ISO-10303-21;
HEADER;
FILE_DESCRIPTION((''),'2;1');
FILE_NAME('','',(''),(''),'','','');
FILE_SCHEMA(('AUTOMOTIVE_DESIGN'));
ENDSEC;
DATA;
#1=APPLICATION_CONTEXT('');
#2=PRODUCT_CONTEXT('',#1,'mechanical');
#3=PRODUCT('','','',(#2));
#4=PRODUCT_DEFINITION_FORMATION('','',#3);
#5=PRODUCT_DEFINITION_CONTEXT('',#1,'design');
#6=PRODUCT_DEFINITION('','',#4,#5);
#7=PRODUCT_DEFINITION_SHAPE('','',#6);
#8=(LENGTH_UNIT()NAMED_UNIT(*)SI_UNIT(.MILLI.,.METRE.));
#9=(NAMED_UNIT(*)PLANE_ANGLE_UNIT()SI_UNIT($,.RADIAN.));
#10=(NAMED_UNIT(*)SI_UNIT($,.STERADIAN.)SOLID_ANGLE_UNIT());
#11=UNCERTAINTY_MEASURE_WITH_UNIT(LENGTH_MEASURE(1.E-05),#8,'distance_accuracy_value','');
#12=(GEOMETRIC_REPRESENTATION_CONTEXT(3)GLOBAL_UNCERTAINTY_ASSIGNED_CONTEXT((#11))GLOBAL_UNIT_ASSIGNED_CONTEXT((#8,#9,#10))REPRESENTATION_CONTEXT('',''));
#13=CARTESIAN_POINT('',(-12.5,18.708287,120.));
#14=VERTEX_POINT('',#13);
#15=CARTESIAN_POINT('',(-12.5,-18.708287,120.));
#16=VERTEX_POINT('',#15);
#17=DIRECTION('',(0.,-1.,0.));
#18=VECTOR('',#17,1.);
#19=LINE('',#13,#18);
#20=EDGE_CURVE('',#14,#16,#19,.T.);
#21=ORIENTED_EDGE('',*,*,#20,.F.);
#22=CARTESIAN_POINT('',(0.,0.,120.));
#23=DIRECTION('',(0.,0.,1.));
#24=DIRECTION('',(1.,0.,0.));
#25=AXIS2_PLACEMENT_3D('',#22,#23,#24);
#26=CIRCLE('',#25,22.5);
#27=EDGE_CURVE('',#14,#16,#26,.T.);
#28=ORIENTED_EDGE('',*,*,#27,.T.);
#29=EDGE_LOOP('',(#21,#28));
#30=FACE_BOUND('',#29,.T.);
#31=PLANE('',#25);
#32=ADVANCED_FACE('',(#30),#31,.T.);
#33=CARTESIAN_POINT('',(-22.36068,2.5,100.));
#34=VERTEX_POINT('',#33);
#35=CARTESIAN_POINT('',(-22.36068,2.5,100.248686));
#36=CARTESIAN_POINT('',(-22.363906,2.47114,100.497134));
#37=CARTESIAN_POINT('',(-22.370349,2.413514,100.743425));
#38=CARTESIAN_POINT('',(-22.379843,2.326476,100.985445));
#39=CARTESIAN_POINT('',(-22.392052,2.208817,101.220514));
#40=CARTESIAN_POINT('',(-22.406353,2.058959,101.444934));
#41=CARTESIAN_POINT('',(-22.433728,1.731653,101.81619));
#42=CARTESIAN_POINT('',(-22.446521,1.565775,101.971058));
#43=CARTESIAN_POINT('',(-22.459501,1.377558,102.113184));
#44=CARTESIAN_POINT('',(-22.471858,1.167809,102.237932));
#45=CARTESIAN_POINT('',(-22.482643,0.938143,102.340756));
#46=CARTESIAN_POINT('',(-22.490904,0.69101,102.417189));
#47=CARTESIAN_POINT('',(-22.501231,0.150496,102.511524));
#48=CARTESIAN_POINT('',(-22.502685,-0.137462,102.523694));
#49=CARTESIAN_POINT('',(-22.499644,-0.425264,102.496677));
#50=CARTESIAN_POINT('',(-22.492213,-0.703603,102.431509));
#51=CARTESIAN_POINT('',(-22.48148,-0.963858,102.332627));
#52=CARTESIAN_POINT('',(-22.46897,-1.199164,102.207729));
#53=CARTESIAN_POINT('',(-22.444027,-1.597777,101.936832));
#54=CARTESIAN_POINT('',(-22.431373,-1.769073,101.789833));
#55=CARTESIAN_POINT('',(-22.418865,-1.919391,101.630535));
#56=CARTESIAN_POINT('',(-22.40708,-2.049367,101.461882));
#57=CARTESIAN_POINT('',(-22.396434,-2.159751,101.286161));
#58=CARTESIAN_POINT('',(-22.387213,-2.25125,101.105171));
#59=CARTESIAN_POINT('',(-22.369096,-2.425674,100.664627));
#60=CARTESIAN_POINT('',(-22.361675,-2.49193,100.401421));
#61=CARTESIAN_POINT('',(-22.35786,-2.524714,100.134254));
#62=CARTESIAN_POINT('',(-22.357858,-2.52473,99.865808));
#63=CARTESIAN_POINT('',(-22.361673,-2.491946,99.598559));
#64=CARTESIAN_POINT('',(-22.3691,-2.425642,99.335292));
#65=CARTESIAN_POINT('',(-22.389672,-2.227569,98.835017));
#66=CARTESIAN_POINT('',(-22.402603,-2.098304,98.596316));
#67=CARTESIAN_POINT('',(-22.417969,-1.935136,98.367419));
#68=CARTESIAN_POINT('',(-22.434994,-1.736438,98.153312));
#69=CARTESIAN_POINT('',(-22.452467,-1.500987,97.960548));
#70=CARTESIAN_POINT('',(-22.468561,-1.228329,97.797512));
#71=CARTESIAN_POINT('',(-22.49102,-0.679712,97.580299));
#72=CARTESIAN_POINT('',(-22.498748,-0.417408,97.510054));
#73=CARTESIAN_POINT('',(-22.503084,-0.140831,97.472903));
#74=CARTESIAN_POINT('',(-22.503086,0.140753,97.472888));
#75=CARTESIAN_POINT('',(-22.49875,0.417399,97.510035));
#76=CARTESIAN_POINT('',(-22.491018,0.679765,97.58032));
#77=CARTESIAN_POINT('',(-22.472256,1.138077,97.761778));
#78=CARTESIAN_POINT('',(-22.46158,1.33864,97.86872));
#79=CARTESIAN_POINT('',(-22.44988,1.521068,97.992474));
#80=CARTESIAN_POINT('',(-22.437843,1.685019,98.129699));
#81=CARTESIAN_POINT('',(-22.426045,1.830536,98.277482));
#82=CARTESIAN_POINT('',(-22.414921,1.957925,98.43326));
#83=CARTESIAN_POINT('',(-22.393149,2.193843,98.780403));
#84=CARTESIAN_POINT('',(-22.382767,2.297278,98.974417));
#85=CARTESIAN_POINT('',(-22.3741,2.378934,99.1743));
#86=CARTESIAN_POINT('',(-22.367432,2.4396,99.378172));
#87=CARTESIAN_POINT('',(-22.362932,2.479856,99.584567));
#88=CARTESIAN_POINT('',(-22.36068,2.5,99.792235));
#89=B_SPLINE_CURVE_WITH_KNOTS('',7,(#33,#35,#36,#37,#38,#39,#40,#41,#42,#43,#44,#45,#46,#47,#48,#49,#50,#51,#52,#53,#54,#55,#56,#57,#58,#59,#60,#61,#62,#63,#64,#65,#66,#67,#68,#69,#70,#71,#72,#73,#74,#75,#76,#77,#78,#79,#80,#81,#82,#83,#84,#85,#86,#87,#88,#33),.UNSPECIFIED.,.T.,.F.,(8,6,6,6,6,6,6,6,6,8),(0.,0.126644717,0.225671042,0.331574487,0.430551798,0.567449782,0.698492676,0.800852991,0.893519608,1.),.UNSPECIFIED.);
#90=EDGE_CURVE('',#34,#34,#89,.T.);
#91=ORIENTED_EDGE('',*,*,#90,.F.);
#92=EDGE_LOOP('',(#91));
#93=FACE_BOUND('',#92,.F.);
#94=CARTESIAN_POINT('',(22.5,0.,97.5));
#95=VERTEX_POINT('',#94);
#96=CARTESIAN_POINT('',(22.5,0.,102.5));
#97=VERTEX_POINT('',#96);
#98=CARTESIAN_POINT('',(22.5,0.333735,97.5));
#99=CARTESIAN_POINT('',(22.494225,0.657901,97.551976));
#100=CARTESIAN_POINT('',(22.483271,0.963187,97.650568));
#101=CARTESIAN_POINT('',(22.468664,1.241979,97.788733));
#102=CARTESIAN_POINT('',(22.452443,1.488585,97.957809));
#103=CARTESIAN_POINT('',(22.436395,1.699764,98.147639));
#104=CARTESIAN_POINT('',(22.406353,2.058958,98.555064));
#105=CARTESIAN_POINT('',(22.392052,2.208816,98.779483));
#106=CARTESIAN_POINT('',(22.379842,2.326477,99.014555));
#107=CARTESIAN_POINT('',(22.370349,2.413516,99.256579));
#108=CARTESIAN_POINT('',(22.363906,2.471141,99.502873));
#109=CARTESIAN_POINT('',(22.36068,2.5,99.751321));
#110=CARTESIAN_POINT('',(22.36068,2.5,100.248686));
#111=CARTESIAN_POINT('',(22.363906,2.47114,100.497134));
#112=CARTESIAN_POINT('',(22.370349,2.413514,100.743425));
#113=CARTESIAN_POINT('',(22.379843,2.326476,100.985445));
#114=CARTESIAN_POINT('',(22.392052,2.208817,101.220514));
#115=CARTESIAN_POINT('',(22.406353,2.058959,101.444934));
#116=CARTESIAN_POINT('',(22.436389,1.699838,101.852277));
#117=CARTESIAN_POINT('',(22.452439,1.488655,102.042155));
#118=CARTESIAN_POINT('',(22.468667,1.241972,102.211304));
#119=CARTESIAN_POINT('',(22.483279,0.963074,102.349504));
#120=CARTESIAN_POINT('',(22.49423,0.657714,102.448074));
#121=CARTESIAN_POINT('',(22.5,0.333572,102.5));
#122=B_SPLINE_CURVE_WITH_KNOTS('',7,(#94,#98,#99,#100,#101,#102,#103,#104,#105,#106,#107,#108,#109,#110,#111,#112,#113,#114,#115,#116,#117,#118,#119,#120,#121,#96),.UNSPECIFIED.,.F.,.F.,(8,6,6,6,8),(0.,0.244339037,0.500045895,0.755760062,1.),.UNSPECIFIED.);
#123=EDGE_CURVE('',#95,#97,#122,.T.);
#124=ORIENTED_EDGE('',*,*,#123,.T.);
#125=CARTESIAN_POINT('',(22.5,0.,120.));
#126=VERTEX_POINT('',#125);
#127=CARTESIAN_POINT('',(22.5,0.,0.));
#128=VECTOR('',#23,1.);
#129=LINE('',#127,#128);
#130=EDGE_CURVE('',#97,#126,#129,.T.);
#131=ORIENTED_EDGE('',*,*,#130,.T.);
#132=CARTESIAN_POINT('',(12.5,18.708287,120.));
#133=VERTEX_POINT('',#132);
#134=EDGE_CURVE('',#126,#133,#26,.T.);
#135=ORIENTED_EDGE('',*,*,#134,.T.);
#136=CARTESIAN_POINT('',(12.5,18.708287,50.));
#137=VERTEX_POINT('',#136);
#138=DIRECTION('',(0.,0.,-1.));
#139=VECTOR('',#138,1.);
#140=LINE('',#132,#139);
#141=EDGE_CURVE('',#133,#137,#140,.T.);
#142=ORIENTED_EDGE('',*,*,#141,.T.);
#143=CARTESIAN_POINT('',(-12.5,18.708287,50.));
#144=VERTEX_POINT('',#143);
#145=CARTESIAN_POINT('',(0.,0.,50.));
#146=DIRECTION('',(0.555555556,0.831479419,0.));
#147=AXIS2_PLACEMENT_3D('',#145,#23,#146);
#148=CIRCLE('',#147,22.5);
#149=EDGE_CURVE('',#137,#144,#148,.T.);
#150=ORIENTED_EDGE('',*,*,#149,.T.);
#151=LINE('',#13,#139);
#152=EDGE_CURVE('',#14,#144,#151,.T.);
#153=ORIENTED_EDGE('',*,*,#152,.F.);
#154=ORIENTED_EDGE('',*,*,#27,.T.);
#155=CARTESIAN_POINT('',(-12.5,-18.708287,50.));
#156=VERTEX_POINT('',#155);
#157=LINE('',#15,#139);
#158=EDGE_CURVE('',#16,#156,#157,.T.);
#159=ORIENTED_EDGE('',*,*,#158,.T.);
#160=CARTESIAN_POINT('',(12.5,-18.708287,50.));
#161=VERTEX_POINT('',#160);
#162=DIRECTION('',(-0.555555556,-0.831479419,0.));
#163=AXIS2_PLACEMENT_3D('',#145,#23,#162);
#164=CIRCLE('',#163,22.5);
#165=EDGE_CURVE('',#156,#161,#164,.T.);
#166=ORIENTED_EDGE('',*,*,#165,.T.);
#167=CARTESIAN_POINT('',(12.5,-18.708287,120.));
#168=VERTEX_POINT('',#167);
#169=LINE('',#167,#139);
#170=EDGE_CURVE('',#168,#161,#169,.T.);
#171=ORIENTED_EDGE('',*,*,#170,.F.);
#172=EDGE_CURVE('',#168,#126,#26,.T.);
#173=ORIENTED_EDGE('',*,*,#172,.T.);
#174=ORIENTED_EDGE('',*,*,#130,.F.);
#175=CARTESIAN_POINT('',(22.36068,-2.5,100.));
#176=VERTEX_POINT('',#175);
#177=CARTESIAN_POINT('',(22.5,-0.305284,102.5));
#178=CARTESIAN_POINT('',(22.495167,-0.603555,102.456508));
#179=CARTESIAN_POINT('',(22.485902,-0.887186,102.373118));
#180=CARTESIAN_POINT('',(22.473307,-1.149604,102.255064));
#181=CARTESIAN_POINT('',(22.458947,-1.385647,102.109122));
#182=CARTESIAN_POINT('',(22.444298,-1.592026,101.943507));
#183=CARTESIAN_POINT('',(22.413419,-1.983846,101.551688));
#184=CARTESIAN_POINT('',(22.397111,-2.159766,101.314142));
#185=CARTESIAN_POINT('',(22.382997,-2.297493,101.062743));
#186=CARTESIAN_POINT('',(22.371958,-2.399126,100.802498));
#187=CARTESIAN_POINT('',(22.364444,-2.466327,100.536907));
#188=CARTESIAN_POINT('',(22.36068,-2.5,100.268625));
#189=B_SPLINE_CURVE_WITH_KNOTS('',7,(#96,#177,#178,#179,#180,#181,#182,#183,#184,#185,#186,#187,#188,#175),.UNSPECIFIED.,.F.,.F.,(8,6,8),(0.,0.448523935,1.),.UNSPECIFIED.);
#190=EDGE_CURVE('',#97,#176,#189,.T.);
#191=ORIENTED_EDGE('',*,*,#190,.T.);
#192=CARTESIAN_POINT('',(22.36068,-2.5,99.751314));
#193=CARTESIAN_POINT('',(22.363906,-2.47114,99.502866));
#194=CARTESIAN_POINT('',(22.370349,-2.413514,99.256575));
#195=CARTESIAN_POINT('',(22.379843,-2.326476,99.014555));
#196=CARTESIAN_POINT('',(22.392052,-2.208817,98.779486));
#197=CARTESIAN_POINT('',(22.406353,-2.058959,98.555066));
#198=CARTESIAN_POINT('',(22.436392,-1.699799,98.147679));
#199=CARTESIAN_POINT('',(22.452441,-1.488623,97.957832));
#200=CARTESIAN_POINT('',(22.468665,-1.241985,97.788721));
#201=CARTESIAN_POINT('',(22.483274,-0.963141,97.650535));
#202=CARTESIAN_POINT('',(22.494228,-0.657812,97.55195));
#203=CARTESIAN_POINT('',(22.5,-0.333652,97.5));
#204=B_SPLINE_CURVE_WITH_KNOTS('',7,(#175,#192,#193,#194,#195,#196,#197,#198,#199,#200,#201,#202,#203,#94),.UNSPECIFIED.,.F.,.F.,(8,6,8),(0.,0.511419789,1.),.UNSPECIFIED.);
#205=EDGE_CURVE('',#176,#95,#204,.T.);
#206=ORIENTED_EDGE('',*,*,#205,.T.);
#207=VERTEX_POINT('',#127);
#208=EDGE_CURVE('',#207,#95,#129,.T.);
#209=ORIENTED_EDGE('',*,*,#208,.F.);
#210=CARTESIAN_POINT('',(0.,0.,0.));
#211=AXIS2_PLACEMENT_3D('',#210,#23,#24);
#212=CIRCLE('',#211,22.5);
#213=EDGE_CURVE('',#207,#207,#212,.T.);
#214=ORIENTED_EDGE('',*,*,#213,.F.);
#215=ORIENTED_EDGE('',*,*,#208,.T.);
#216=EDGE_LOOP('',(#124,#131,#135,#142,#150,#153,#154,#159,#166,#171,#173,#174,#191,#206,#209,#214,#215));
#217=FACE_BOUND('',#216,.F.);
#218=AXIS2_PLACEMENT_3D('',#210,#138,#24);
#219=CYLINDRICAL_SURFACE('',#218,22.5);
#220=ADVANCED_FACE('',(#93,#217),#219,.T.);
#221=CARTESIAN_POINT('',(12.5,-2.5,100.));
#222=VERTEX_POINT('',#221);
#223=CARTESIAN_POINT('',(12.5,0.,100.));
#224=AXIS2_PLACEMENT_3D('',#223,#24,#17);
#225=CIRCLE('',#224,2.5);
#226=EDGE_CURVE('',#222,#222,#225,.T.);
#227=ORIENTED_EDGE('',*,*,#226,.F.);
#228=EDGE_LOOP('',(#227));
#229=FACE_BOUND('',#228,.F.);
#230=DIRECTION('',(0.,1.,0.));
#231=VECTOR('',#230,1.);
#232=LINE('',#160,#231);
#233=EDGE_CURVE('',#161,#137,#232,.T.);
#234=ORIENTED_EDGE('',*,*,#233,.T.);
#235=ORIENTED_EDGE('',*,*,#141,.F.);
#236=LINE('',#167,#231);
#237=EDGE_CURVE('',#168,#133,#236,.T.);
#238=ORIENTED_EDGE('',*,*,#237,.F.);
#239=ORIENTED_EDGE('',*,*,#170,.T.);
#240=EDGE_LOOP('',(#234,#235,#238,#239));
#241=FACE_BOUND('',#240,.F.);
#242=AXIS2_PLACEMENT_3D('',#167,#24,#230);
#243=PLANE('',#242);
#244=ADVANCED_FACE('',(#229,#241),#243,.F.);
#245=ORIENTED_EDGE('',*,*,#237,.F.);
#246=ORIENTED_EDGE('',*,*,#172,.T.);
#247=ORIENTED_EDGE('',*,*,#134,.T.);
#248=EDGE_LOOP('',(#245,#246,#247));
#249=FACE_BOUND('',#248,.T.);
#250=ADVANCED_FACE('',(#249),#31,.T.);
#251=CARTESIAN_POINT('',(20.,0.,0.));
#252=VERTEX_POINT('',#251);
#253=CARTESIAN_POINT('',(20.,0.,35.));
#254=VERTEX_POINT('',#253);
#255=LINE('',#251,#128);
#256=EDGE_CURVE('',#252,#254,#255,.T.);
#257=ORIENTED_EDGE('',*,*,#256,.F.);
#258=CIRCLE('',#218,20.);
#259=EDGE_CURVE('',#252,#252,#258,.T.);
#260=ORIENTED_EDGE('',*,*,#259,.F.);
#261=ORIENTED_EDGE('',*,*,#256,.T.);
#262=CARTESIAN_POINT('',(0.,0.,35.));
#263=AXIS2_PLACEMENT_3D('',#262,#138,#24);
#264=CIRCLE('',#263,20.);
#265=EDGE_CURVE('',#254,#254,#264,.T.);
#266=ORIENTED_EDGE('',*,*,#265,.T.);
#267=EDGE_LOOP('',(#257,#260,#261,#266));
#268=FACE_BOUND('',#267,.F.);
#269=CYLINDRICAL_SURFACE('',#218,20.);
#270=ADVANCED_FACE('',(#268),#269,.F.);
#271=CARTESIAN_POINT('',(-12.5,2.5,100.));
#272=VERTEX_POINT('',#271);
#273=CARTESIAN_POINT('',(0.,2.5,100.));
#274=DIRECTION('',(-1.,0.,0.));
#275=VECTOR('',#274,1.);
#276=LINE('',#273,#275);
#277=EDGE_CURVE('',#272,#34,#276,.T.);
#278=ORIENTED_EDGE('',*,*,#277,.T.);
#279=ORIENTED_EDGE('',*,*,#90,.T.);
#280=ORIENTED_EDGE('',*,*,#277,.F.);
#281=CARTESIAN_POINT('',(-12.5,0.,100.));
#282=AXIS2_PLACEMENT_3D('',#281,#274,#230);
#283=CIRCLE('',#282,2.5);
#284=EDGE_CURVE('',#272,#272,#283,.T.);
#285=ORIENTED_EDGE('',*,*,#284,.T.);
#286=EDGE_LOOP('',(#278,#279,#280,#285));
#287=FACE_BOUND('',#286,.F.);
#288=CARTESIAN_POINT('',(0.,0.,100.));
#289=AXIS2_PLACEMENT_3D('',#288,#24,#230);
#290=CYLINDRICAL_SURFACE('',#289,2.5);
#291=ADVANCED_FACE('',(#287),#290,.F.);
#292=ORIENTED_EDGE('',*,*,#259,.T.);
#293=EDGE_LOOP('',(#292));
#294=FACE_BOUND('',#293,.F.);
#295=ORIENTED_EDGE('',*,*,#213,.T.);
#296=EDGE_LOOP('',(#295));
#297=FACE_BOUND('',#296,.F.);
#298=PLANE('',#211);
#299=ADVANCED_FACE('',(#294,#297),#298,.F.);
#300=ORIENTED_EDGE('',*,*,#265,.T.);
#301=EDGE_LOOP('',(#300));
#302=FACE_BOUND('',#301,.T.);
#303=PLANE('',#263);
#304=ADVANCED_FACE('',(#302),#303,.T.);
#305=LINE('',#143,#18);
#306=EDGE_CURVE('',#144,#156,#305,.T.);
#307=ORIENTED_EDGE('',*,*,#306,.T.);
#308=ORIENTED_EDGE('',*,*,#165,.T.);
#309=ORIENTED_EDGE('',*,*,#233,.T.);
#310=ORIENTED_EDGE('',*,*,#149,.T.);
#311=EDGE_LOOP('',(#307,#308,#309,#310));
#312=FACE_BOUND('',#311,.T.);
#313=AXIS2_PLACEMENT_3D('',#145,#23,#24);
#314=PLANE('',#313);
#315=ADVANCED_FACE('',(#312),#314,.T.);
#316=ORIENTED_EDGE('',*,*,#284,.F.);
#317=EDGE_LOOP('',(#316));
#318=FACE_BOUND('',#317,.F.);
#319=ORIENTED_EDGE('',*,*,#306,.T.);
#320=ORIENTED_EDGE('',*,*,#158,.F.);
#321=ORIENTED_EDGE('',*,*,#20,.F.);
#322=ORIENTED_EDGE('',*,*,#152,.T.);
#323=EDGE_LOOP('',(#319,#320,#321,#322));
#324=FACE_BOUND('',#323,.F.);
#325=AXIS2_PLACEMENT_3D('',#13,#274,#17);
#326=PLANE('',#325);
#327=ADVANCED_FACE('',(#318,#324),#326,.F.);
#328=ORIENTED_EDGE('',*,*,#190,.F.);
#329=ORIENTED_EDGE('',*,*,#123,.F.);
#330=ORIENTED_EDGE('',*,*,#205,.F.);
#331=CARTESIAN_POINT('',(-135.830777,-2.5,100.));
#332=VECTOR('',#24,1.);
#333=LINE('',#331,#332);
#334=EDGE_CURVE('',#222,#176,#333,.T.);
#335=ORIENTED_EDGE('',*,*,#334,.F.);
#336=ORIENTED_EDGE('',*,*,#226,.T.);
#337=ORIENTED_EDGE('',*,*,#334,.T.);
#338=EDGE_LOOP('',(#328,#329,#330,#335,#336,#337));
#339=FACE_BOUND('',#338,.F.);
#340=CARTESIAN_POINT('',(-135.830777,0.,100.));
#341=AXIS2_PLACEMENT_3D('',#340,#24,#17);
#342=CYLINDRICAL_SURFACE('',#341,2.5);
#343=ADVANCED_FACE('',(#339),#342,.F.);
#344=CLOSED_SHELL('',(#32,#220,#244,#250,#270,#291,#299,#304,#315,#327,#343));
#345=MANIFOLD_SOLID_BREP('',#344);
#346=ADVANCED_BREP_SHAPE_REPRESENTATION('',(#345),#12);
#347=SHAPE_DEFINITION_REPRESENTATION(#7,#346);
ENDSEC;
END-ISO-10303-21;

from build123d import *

# Parameters (mm, degrees)
F0_R     = 22.5
F1_DEPTH = 120
F3_DEPTH = 70
F4_R     = 20
F5_DEPTH = 35
F7_D     = 5
F7_DEPTH = 22.501
F9_D     = 5


with BuildPart() as f1:
    # F0 (on Top) → F1 (new body)
    with BuildSketch(Plane.XY):
        Circle(F0_R)
    extrude(amount=F1_DEPTH)

    # F2 (on face) → F3 (cut)
    with BuildSketch(Plane.XY.offset(120)):
        with BuildLine():
            ThreePointArc((12.5, 18.7082869339), (0, 22.5), (-12.5, 18.7082869339))
            Line((-12.5, 18.7082869339), (-12.5, -18.7082869339))
            ThreePointArc((-12.5, -18.7082869339), (0, -22.5), (12.5, -18.7082869339))
            Line((12.5, -18.7082869339), (12.5, 18.7082869339))
        make_face()
    extrude(amount=-F3_DEPTH, mode=Mode.SUBTRACT)

    # F4 (on face) → F5 (cut)
    with BuildSketch(Plane(origin=(0, 0, 0), x_dir=(1, 0, 0), z_dir=(0, 0, -1))):
        Circle(F4_R)
    extrude(amount=-F5_DEPTH, mode=Mode.SUBTRACT)

    # F7 (through all, one way)
    with BuildSketch(Plane.YZ):
        with Locations((0, 100)):
            Circle(F7_D / 2)
    extrude(amount=-F7_DEPTH, mode=Mode.SUBTRACT)

    # F9 (through all)
    with Locations(Plane(origin=(0, 0, 0), x_dir=(0, 1, 0), z_dir=(-1, 0, 0))):
        with Locations((0, -100)):
            Hole(F9_D / 2)


solid = f1.part
